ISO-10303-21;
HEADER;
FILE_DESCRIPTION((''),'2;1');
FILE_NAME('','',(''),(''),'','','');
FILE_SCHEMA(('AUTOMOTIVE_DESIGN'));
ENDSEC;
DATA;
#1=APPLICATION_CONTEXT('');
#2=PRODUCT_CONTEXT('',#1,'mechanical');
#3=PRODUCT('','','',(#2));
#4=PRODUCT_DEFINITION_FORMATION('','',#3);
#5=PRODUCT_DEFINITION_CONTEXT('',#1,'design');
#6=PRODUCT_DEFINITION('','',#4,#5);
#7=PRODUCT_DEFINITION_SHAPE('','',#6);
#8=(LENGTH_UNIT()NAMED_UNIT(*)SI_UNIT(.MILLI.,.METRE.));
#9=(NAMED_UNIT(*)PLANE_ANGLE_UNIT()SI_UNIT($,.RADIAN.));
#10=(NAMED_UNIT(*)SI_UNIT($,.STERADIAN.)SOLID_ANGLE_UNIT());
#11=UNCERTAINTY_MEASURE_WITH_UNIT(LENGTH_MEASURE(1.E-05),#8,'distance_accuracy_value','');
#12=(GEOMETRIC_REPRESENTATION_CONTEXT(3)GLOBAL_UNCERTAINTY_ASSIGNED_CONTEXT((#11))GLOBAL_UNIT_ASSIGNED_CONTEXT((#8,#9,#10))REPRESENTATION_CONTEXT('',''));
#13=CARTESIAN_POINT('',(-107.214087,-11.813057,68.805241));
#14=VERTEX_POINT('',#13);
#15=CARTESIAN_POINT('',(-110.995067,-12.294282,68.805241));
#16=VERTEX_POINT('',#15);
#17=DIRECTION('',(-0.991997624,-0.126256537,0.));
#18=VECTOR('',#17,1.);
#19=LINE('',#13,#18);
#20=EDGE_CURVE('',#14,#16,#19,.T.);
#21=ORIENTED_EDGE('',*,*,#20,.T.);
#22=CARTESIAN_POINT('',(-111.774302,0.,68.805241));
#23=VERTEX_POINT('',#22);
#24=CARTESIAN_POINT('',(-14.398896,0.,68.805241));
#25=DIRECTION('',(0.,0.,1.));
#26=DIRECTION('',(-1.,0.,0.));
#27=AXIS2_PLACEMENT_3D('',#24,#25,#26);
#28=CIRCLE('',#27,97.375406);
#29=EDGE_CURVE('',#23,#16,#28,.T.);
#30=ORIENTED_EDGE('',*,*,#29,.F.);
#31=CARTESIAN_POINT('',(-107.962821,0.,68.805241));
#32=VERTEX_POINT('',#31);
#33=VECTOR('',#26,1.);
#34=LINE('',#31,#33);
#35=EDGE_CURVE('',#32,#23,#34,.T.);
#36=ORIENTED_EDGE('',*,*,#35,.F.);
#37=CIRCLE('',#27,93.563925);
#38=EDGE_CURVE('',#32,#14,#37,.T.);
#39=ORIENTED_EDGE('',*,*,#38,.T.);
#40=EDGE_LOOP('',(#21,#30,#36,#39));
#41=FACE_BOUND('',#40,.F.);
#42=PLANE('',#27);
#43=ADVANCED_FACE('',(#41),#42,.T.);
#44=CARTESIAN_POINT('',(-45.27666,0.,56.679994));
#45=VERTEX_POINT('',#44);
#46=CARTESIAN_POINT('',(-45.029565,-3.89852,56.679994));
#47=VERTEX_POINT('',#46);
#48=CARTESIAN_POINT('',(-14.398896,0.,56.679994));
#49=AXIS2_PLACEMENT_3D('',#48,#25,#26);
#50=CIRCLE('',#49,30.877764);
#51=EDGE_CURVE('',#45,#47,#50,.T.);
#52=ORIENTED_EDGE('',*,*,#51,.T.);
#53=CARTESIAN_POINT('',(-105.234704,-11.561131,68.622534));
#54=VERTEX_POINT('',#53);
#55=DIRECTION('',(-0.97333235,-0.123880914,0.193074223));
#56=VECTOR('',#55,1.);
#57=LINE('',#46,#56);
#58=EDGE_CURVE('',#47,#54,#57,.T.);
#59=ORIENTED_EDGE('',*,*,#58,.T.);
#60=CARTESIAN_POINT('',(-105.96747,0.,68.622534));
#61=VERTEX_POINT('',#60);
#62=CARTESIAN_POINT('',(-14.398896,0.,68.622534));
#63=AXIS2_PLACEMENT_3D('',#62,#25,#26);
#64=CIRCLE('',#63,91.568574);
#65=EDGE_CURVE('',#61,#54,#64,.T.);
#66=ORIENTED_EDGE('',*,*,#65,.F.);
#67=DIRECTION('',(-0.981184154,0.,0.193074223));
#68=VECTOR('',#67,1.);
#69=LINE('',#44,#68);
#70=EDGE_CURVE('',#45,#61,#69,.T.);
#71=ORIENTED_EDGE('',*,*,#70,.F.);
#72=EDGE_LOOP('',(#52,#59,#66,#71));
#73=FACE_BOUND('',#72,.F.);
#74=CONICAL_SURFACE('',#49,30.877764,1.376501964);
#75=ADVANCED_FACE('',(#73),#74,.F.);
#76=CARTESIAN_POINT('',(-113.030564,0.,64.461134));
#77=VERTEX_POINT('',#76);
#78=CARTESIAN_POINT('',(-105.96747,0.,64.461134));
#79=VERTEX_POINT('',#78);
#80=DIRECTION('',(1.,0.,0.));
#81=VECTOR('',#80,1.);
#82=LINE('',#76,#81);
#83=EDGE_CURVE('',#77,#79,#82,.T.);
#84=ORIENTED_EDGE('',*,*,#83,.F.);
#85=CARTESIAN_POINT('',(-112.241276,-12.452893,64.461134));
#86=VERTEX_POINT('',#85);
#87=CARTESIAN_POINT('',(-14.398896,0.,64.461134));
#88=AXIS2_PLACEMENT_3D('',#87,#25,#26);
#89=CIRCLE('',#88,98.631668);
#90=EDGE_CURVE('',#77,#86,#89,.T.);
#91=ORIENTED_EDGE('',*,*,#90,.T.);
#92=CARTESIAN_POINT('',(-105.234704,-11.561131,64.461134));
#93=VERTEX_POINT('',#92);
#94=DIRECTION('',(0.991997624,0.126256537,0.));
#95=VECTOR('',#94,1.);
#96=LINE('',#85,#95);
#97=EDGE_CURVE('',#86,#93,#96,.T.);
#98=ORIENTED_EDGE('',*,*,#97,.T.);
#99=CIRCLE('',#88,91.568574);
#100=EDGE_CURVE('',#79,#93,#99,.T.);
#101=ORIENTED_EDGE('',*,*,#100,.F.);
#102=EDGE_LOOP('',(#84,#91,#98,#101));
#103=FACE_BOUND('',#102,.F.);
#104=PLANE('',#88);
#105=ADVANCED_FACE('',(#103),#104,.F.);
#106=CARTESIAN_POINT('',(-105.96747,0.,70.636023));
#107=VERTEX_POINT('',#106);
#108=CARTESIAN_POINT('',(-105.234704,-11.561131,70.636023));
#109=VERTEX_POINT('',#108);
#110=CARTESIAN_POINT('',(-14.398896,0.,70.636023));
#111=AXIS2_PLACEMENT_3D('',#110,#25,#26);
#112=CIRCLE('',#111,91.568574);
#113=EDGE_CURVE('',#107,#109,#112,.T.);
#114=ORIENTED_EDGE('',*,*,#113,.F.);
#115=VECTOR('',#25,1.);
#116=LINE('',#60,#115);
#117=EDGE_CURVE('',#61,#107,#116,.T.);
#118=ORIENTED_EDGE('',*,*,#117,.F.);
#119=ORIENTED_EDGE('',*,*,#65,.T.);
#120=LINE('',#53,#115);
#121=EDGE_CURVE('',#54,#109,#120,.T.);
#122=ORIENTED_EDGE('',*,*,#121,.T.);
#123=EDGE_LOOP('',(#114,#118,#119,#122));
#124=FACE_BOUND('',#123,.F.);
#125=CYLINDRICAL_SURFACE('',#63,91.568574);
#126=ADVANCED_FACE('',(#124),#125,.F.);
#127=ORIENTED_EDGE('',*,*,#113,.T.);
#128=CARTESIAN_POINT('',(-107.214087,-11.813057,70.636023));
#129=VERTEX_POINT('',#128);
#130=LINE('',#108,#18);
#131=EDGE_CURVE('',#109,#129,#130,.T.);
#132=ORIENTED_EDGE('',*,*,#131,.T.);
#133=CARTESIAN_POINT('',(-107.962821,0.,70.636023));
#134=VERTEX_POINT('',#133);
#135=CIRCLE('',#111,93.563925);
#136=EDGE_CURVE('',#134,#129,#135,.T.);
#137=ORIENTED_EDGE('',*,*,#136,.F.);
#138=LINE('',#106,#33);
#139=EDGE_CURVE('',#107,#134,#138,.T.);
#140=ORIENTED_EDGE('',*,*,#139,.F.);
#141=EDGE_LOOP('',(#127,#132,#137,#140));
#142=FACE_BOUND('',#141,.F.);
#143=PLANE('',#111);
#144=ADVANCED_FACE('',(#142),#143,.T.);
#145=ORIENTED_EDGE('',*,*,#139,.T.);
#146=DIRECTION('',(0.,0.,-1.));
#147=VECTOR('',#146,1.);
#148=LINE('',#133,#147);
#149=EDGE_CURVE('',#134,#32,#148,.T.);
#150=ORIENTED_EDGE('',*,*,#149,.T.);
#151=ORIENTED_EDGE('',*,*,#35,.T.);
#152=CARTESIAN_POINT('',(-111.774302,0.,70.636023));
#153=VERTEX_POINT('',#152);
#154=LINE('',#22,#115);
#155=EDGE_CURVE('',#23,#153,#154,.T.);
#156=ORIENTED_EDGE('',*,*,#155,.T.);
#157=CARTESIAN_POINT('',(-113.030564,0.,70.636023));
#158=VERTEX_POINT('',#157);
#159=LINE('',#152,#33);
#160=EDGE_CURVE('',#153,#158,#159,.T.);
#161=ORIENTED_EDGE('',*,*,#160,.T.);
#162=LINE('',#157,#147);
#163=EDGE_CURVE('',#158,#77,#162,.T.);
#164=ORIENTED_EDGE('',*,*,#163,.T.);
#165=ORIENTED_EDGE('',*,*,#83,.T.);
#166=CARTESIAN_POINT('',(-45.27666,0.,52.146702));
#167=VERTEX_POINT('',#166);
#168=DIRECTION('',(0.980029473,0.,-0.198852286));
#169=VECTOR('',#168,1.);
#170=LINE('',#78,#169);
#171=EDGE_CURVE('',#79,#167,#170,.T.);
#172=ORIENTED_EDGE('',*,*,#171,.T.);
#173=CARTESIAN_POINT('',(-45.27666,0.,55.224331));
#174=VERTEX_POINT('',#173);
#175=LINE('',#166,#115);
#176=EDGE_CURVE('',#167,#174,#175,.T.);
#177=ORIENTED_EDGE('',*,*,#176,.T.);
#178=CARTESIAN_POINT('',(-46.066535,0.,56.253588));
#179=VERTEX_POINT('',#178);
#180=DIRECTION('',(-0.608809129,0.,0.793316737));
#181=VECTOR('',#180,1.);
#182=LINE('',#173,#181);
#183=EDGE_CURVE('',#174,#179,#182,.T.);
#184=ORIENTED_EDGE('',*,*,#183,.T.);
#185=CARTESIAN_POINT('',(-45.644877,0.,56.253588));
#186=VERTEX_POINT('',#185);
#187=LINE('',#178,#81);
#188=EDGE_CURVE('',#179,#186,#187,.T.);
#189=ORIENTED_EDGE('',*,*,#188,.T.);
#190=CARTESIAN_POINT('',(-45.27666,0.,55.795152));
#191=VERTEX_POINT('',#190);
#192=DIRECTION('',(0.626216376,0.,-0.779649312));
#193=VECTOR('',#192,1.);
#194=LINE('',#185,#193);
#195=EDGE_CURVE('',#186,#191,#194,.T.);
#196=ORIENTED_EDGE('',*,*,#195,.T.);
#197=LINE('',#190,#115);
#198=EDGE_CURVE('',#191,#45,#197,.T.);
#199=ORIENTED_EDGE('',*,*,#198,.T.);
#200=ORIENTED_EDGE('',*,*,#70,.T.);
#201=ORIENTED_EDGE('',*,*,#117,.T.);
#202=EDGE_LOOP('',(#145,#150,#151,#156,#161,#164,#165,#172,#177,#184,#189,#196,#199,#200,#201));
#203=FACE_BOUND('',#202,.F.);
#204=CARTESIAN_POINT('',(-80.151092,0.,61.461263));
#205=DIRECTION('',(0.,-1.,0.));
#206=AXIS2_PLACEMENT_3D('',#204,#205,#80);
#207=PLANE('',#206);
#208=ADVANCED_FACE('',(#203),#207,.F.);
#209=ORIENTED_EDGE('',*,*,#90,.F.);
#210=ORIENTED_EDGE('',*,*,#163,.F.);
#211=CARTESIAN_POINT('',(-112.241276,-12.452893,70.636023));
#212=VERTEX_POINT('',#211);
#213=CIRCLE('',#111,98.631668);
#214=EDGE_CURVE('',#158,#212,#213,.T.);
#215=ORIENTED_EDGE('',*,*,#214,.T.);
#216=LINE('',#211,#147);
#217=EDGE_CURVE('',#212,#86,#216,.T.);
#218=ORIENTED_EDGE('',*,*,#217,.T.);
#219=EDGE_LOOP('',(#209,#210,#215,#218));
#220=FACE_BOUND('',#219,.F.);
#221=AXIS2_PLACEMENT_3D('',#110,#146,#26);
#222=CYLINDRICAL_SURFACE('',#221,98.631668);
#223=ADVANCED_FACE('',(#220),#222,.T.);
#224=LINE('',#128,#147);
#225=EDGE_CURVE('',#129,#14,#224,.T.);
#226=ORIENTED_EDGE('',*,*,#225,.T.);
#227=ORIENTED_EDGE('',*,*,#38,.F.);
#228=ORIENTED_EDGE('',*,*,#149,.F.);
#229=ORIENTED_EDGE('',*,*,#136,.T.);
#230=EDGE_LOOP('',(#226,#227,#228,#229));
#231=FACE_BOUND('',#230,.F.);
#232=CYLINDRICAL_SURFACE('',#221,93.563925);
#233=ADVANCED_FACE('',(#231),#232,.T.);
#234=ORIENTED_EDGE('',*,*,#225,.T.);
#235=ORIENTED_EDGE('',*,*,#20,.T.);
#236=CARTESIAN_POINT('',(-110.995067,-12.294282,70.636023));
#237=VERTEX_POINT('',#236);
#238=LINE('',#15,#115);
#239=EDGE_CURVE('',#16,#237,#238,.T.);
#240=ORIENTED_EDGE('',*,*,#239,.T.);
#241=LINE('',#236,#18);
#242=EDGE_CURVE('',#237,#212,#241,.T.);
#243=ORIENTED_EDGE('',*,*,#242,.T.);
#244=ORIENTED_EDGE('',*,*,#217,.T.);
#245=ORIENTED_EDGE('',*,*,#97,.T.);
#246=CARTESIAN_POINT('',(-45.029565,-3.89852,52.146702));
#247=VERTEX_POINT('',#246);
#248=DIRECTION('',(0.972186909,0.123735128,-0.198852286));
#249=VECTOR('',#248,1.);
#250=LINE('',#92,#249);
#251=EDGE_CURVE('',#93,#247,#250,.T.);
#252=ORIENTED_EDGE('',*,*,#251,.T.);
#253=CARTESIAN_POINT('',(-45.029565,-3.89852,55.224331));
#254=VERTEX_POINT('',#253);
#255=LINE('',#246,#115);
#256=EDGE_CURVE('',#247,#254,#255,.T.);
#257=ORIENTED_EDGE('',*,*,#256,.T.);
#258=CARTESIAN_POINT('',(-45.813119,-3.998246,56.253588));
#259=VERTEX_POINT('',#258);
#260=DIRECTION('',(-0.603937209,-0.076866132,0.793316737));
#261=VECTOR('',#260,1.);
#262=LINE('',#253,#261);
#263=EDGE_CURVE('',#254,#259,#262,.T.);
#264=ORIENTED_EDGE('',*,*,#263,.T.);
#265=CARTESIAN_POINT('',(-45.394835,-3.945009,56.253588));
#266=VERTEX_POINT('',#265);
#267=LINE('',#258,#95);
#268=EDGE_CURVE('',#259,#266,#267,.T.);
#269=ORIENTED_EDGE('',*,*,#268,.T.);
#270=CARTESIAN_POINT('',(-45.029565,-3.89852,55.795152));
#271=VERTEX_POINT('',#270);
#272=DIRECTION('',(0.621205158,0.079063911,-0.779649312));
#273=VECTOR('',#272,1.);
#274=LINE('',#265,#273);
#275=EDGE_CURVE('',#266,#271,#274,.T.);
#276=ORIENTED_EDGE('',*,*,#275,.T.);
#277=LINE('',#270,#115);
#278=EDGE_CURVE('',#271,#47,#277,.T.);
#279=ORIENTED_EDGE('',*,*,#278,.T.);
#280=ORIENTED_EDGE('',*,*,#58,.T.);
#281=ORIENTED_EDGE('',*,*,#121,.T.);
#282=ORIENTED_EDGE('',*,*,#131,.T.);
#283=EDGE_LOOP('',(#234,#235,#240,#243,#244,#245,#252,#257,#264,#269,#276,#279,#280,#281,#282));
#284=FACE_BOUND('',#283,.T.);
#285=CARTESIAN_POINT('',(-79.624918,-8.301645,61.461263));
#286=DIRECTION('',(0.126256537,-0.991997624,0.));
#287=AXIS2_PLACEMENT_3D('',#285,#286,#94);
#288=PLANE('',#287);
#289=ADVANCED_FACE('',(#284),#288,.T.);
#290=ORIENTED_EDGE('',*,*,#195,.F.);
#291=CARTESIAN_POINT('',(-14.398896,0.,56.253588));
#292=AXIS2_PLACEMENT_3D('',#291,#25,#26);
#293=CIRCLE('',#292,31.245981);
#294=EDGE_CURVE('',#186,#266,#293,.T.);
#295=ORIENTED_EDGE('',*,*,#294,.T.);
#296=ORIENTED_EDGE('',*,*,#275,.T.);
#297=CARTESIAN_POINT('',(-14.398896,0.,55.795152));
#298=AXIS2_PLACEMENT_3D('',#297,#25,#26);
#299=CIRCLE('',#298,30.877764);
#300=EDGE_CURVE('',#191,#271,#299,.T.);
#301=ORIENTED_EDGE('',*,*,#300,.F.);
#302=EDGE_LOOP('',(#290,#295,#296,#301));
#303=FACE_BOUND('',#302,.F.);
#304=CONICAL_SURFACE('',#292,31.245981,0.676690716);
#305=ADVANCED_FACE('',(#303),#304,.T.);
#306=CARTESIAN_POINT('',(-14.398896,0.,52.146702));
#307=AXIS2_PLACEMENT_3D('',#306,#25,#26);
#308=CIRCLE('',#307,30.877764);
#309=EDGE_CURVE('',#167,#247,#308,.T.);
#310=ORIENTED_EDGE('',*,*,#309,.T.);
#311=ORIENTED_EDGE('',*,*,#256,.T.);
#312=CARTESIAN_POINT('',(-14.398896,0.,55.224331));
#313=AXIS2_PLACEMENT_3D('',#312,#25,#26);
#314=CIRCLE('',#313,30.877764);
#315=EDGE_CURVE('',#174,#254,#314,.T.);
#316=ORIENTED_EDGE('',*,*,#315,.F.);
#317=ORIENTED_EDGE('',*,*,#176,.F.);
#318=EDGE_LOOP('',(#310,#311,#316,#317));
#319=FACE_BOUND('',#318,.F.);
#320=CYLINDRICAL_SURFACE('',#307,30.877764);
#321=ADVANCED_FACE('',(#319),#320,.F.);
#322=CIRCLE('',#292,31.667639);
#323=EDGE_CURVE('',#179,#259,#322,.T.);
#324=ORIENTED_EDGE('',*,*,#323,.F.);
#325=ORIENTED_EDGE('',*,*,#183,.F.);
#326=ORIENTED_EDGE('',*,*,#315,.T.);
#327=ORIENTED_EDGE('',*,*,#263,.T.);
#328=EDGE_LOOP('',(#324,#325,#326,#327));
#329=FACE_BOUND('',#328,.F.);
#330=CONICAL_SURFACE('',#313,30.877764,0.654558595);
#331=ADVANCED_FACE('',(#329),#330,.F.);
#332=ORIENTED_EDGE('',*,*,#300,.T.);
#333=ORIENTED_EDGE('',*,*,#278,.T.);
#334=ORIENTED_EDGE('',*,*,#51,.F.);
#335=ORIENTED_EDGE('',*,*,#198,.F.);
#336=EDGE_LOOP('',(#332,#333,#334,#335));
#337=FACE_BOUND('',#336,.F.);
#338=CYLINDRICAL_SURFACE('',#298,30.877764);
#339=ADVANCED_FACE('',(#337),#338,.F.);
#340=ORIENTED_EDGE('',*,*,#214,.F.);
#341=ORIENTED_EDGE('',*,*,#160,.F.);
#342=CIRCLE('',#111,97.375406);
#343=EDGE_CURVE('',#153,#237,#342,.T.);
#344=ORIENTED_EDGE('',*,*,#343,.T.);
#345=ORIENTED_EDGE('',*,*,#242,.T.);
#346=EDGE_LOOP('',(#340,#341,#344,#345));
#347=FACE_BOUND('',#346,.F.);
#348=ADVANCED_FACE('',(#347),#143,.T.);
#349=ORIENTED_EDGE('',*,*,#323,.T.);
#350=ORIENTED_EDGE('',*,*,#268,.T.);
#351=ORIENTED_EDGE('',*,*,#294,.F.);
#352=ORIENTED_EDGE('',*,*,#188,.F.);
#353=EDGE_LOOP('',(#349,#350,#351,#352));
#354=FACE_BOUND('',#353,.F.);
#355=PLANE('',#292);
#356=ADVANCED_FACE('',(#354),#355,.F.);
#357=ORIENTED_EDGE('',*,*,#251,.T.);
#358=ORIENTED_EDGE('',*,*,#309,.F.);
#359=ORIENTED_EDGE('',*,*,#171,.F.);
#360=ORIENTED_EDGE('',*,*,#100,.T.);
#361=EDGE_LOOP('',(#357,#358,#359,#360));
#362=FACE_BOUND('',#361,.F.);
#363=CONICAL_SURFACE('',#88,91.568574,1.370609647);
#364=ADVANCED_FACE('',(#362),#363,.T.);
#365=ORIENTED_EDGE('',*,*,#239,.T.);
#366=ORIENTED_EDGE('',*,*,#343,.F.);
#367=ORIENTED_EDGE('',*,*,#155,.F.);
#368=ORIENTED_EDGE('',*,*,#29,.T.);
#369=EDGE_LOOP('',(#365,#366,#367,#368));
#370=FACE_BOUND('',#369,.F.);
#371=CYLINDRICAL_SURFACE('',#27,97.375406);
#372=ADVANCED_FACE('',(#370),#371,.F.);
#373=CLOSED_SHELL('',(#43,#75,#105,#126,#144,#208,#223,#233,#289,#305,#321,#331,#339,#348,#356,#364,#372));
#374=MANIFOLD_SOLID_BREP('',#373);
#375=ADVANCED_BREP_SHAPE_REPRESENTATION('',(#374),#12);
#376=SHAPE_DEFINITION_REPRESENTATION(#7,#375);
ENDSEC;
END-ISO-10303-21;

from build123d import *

# Parameters (mm, degrees)
F1_ANGLE = 7.253325


with BuildPart() as f1:
    # F0 (on Front) → F1 (revolve)
    with BuildSketch(Plane.XZ):
        Polygon((-107.962821, 68.805241), (-111.774302, 68.805241), (-111.774302, 70.636023), (-113.030564, 70.636023), (-113.030564, 67.215735), (-113.030564, 64.461134), (-105.96747, 64.461134), (-45.27666, 52.146702), (-45.27666, 54.901303), (-45.27666, 55.224331), (-46.066535, 56.253588), (-45.644877, 56.253588), (-45.27666, 55.795152), (-45.27666, 56.679994), (-105.96747, 68.622534), (-105.96747, 70.636023), (-107.962821, 70.636023), align=None)
    revolve(axis=Axis((-14.398896, 0, 35.603082), (0, 0, 1)), revolution_arc=F1_ANGLE)


solid = f1.part
